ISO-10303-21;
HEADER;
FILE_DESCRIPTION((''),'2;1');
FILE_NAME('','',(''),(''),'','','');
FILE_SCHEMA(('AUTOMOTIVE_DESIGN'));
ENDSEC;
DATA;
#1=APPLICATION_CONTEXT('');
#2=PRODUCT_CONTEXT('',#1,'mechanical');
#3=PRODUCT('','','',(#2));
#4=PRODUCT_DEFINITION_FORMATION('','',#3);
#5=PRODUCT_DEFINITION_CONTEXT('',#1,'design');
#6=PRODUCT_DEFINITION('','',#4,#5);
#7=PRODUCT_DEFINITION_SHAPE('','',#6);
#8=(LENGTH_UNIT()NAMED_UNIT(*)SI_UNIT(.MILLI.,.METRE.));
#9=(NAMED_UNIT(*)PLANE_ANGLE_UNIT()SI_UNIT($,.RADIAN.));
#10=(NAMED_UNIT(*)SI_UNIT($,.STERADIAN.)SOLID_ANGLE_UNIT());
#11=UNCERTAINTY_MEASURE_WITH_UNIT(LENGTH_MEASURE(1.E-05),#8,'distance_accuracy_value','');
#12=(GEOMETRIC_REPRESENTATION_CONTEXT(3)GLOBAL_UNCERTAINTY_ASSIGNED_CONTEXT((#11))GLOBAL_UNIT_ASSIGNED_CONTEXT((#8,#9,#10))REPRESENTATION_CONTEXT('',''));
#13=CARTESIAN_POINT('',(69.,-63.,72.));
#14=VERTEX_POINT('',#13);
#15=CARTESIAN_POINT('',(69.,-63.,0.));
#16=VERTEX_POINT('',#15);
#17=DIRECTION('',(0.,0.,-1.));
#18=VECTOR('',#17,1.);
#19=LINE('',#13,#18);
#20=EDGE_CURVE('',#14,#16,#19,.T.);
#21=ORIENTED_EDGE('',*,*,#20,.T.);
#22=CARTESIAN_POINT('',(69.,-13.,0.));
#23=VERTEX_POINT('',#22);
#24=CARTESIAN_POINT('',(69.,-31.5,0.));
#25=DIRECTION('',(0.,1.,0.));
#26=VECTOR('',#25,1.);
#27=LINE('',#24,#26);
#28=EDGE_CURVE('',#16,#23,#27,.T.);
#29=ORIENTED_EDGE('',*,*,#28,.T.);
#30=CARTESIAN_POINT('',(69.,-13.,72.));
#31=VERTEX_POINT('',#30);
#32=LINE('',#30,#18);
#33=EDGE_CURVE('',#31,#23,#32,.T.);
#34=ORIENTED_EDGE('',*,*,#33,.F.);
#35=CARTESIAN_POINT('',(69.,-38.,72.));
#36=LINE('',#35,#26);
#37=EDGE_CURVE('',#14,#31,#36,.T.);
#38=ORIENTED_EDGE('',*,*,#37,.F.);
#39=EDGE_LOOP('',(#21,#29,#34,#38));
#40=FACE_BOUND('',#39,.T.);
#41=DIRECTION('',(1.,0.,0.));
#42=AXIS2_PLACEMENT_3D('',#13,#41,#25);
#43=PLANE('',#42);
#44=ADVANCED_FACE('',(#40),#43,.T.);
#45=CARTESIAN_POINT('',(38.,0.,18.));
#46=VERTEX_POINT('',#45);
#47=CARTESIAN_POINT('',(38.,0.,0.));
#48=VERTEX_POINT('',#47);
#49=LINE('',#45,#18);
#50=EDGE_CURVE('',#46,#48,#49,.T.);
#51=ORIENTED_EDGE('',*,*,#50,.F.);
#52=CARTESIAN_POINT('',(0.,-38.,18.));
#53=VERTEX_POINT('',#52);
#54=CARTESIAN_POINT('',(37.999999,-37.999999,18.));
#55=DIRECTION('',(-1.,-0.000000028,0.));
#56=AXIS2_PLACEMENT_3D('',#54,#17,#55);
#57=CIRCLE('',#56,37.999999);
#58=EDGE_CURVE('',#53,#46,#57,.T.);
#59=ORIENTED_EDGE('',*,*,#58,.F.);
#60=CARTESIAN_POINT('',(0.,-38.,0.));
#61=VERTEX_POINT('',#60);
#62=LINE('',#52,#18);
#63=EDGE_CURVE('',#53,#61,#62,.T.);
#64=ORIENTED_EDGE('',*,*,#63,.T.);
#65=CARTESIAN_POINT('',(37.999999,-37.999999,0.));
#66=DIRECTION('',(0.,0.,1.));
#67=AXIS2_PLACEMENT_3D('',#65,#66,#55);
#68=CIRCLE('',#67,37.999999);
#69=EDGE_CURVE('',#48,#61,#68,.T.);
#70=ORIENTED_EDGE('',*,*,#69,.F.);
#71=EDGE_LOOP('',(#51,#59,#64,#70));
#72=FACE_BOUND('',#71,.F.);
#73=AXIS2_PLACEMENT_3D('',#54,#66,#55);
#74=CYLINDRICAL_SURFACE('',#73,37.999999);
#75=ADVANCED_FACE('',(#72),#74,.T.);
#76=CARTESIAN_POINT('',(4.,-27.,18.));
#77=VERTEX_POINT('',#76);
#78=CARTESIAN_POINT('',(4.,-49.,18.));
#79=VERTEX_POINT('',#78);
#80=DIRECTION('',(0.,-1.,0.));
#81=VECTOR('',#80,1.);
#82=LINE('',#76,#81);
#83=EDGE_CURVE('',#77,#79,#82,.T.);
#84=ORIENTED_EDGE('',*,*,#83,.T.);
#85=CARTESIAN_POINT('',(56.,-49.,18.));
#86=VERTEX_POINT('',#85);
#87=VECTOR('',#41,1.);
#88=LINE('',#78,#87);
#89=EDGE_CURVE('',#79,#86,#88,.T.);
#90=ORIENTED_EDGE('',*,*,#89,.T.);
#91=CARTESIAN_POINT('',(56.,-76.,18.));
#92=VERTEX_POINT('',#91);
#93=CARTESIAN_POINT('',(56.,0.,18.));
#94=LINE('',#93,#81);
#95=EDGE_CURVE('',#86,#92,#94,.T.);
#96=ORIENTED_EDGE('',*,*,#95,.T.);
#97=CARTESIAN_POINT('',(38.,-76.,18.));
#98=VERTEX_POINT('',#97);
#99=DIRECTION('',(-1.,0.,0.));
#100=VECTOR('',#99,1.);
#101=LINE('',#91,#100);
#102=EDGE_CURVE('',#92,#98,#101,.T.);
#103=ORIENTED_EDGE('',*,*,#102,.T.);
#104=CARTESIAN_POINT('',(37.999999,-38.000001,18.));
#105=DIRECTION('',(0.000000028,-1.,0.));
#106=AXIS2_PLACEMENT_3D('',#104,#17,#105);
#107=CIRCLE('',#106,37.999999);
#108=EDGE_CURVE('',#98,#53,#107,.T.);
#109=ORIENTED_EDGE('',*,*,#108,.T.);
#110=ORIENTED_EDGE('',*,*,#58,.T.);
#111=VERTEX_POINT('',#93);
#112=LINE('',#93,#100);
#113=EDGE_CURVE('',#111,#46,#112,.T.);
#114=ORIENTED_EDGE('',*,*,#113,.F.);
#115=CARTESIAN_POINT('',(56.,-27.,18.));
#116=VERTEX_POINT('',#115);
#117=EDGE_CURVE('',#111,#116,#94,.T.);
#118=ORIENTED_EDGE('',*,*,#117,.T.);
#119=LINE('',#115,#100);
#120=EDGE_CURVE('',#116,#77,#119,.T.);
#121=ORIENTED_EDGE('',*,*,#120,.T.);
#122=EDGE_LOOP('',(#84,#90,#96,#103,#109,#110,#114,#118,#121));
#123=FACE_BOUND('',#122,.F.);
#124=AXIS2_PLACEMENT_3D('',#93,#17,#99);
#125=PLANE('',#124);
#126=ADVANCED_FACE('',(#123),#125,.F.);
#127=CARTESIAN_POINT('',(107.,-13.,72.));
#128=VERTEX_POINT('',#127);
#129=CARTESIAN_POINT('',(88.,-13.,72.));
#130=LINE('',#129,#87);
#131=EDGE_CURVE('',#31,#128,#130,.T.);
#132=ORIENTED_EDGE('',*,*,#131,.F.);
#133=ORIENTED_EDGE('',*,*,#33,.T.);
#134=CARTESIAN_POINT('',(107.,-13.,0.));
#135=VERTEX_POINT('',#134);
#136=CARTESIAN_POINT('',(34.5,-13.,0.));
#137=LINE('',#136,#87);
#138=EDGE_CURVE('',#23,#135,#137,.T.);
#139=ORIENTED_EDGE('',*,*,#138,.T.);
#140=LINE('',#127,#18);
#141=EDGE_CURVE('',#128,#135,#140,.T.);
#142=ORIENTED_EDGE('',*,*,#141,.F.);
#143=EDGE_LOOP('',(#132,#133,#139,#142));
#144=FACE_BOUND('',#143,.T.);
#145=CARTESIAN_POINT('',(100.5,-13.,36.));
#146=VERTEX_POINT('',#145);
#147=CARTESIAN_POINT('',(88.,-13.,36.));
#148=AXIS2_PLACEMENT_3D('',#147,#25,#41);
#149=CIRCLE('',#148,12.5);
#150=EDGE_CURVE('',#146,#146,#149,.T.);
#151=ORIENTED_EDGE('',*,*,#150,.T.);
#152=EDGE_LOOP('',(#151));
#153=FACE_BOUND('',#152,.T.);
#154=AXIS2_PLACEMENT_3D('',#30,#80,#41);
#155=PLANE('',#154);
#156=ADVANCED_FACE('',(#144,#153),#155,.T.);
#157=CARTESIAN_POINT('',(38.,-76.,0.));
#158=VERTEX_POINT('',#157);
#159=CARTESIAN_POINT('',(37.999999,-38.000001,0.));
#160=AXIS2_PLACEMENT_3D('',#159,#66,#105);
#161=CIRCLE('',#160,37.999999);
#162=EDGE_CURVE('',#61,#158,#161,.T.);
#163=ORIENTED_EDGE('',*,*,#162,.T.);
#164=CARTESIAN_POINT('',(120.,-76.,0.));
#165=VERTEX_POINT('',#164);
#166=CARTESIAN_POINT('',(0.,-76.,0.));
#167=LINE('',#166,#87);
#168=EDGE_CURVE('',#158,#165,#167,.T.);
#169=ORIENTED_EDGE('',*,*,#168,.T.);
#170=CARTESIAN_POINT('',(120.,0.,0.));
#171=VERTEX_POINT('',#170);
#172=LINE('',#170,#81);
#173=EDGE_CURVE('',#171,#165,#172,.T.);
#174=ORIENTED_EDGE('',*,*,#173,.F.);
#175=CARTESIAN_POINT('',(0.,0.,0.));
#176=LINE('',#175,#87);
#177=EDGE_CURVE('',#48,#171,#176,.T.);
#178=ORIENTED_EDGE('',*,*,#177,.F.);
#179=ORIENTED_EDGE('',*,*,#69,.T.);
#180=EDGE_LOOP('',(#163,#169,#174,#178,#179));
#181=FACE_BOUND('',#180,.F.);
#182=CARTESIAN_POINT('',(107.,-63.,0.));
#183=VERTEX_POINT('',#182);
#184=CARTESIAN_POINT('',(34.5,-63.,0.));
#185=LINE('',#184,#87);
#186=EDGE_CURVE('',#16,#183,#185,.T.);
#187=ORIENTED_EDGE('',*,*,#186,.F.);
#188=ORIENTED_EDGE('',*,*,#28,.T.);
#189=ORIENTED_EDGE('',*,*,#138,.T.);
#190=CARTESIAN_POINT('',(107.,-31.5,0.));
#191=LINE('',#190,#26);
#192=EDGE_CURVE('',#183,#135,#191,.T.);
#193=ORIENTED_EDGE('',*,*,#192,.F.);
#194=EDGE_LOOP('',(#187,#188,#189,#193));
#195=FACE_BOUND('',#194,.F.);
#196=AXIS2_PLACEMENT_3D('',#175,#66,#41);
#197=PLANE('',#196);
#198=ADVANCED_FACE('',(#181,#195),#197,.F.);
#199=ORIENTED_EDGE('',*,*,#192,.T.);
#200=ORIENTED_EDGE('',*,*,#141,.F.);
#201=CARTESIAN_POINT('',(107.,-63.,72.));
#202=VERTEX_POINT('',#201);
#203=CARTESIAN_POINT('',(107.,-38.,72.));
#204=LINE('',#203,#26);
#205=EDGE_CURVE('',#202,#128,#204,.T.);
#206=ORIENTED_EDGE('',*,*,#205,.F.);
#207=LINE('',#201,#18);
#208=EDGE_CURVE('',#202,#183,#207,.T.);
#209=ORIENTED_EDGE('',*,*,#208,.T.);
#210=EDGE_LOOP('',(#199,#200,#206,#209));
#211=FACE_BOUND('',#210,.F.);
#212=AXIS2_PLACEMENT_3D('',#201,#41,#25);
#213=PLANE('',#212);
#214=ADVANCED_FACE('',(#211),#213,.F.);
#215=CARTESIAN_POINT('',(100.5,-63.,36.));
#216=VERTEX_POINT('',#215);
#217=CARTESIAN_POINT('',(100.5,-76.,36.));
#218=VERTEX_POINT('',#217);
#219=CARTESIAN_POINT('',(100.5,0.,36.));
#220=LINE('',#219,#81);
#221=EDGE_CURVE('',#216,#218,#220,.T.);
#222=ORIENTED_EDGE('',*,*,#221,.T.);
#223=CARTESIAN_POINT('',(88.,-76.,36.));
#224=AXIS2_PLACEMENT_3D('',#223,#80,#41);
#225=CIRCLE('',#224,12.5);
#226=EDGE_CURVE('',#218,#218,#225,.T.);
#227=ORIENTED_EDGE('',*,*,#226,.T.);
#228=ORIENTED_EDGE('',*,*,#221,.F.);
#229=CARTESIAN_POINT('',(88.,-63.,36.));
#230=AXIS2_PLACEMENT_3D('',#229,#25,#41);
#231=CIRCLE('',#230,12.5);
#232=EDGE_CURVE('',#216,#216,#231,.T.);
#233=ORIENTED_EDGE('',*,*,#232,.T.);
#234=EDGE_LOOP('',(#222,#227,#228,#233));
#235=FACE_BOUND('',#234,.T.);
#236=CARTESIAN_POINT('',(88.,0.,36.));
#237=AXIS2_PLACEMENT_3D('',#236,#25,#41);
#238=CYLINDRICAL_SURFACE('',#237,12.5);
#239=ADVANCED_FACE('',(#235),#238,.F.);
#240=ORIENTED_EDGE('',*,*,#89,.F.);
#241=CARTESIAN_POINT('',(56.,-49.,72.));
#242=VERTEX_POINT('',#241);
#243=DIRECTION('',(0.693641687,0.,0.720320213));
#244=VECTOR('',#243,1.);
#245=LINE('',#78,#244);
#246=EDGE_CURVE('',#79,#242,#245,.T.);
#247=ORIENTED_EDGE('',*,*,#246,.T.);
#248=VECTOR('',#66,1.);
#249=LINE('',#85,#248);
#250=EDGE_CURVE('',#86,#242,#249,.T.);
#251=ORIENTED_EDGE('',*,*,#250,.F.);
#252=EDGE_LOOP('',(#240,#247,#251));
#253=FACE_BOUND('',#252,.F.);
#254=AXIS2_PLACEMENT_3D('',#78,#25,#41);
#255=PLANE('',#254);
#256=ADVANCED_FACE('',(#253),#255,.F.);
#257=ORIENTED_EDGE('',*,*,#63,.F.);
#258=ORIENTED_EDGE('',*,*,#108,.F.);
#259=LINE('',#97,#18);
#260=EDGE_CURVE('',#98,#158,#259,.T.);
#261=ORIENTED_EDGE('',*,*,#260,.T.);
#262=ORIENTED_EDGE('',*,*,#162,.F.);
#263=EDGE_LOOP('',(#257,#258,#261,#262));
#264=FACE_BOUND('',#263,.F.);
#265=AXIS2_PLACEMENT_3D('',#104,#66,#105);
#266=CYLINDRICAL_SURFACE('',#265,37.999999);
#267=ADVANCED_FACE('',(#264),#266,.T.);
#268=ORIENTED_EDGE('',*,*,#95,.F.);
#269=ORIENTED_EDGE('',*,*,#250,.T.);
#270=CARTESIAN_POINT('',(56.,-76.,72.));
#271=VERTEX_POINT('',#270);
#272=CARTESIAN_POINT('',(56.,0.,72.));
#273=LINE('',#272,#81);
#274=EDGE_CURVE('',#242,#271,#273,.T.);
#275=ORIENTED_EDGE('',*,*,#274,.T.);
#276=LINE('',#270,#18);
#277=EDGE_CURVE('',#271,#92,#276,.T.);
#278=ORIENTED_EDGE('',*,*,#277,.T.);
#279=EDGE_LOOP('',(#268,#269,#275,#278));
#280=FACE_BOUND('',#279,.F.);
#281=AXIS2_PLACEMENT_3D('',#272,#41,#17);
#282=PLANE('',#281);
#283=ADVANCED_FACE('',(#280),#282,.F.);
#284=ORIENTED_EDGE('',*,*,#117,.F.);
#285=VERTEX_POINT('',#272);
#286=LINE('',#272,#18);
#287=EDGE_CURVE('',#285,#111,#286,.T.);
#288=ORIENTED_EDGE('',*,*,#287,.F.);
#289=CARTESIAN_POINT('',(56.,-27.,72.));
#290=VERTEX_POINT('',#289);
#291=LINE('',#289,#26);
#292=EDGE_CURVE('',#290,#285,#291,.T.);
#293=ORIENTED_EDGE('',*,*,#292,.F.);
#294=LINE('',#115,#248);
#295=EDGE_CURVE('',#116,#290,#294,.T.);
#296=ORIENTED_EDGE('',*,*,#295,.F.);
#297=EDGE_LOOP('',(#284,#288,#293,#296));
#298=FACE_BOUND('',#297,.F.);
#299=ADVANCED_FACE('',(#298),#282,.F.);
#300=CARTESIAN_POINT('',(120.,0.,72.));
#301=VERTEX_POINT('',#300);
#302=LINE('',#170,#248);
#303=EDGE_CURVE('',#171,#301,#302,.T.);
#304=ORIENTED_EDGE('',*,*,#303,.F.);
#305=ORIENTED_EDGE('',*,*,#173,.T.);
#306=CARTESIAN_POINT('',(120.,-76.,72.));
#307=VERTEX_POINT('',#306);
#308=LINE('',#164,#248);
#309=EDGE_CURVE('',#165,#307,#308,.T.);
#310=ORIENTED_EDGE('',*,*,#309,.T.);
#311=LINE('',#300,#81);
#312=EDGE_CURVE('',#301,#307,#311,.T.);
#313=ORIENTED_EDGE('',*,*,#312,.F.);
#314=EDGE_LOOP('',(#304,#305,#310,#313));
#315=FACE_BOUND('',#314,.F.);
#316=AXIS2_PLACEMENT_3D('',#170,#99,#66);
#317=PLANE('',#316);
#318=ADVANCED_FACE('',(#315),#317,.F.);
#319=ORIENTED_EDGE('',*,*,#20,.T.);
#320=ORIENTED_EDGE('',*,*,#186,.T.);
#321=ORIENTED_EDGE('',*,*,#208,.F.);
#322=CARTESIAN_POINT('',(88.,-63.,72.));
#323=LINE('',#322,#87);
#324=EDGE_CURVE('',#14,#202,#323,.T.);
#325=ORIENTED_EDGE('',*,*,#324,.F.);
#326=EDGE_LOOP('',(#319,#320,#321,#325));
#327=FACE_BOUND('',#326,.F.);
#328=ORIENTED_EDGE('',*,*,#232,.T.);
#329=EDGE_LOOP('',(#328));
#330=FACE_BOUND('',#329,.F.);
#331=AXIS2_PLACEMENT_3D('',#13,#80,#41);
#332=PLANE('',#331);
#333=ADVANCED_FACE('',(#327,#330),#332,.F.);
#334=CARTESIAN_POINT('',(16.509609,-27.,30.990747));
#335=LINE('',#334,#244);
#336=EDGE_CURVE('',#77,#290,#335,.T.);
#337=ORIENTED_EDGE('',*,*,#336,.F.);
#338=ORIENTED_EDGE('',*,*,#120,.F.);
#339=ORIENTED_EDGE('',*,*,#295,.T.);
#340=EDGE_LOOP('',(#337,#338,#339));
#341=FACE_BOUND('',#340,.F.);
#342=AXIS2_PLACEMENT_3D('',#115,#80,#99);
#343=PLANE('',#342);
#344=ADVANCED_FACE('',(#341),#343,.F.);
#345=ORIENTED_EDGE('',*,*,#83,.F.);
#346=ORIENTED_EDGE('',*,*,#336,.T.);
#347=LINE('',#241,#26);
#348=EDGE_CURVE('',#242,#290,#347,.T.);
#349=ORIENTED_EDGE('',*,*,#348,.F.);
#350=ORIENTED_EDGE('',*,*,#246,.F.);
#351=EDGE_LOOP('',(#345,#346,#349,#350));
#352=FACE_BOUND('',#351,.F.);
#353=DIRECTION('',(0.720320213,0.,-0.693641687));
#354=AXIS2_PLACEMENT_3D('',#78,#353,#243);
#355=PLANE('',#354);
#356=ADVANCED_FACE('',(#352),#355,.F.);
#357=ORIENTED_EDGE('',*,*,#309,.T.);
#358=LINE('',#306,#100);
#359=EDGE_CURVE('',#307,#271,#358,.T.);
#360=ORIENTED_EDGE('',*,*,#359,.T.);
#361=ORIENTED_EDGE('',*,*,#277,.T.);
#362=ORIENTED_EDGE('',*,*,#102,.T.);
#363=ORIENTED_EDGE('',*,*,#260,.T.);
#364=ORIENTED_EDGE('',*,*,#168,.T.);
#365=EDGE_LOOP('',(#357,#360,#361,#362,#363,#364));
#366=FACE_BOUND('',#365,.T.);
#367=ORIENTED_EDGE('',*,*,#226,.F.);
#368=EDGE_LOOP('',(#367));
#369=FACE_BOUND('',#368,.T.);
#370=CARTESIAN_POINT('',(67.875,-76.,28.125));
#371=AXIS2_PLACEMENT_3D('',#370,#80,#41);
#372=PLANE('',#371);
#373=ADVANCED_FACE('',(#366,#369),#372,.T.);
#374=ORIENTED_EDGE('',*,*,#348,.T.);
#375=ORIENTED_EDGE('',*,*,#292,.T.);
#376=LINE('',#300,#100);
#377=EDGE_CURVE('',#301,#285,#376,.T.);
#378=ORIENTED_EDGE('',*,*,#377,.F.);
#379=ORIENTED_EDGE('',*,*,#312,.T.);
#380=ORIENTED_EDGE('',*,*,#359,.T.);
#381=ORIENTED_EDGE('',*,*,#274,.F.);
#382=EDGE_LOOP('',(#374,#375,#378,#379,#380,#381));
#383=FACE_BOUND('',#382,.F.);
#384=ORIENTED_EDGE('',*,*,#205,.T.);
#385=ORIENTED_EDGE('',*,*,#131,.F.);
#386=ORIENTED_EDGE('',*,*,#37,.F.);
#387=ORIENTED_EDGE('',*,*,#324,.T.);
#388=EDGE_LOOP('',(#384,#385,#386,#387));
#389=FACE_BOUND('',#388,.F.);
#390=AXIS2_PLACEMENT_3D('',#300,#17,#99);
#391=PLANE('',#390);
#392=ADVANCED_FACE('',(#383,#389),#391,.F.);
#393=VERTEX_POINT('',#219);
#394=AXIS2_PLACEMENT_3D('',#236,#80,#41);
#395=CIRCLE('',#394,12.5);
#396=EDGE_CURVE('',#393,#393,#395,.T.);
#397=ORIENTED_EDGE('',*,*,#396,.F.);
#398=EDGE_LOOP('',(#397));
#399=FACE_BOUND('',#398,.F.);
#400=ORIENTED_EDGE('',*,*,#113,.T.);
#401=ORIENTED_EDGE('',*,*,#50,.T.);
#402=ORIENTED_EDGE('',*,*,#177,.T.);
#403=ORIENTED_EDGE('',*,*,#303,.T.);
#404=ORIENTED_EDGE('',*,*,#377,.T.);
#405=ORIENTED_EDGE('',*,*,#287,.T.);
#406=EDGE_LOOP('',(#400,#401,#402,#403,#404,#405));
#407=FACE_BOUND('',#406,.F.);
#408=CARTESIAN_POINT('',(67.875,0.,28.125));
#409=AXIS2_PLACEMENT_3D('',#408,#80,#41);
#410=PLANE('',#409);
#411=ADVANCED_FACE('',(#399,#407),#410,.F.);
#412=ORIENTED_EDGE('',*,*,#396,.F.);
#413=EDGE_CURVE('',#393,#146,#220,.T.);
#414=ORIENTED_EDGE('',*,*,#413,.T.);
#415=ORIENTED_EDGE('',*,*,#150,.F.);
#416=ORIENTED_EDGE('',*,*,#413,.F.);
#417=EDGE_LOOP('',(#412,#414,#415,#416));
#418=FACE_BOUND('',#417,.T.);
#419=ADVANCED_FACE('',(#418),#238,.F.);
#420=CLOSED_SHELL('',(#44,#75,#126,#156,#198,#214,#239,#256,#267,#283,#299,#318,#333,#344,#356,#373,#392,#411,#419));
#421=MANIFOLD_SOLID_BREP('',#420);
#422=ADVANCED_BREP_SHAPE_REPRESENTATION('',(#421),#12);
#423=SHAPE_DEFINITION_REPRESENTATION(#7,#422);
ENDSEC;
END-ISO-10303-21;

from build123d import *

# Parameters (mm, degrees)
F0_R     = 12.5
F1_DEPTH = 76
F2_W     = 38
F2_H     = 50
F3_DEPTH = 124
F5_DEPTH = 125.4
F7_DEPTH = 54
F9_DEPTH = 25


with BuildPart() as f1:
    # F0 (on Front) → F1 (new body)
    with BuildSketch(Plane.XZ):
        Polygon((0, 18), (0, 0), (120, 0), (120, 72), (56, 72), (56, 18), align=None)
        with Locations((88, 36)):
            Circle(F0_R, mode=Mode.SUBTRACT)
    extrude(amount=F1_DEPTH)

    # F2 (on face) → F3 (cut)
    with BuildSketch(Plane.XY.offset(72)):
        with Locations((88, -38)):
            Rectangle(F2_W, F2_H)
    extrude(amount=-F3_DEPTH, mode=Mode.SUBTRACT)

    # F4 (on face) → F5 (cut)
    with BuildSketch(Plane.XY.offset(18)):
        with BuildLine():
            ThreePointArc((0, -38), (11.129942, -11.129942), (38, 0))
            Line((38, 0), (0, 0))
            Line((0, 0), (0, -38))
        make_face()
        with BuildLine():
            ThreePointArc((38, -76), (11.129942, -64.870058), (0, -38))
            Line((0, -38), (0, -76))
            Line((0, -76), (38, -76))
        make_face()
    extrude(amount=-F5_DEPTH, mode=Mode.SUBTRACT)

    # F6 (on face) → F7 (join)
    with BuildSketch(Plane.XY.offset(18)):
        Polygon((56, -49), (56, -38), (56, -27), (4, -27), (4, -49), align=None)
    extrude(amount=F7_DEPTH)

    # F8 (on face) → F9 (cut)
    with BuildSketch(Plane.XZ.offset(49)):
        Polygon((4, 72), (4, 18), (56, 72), align=None)
    extrude(amount=-F9_DEPTH, mode=Mode.SUBTRACT)


solid = f1.part
